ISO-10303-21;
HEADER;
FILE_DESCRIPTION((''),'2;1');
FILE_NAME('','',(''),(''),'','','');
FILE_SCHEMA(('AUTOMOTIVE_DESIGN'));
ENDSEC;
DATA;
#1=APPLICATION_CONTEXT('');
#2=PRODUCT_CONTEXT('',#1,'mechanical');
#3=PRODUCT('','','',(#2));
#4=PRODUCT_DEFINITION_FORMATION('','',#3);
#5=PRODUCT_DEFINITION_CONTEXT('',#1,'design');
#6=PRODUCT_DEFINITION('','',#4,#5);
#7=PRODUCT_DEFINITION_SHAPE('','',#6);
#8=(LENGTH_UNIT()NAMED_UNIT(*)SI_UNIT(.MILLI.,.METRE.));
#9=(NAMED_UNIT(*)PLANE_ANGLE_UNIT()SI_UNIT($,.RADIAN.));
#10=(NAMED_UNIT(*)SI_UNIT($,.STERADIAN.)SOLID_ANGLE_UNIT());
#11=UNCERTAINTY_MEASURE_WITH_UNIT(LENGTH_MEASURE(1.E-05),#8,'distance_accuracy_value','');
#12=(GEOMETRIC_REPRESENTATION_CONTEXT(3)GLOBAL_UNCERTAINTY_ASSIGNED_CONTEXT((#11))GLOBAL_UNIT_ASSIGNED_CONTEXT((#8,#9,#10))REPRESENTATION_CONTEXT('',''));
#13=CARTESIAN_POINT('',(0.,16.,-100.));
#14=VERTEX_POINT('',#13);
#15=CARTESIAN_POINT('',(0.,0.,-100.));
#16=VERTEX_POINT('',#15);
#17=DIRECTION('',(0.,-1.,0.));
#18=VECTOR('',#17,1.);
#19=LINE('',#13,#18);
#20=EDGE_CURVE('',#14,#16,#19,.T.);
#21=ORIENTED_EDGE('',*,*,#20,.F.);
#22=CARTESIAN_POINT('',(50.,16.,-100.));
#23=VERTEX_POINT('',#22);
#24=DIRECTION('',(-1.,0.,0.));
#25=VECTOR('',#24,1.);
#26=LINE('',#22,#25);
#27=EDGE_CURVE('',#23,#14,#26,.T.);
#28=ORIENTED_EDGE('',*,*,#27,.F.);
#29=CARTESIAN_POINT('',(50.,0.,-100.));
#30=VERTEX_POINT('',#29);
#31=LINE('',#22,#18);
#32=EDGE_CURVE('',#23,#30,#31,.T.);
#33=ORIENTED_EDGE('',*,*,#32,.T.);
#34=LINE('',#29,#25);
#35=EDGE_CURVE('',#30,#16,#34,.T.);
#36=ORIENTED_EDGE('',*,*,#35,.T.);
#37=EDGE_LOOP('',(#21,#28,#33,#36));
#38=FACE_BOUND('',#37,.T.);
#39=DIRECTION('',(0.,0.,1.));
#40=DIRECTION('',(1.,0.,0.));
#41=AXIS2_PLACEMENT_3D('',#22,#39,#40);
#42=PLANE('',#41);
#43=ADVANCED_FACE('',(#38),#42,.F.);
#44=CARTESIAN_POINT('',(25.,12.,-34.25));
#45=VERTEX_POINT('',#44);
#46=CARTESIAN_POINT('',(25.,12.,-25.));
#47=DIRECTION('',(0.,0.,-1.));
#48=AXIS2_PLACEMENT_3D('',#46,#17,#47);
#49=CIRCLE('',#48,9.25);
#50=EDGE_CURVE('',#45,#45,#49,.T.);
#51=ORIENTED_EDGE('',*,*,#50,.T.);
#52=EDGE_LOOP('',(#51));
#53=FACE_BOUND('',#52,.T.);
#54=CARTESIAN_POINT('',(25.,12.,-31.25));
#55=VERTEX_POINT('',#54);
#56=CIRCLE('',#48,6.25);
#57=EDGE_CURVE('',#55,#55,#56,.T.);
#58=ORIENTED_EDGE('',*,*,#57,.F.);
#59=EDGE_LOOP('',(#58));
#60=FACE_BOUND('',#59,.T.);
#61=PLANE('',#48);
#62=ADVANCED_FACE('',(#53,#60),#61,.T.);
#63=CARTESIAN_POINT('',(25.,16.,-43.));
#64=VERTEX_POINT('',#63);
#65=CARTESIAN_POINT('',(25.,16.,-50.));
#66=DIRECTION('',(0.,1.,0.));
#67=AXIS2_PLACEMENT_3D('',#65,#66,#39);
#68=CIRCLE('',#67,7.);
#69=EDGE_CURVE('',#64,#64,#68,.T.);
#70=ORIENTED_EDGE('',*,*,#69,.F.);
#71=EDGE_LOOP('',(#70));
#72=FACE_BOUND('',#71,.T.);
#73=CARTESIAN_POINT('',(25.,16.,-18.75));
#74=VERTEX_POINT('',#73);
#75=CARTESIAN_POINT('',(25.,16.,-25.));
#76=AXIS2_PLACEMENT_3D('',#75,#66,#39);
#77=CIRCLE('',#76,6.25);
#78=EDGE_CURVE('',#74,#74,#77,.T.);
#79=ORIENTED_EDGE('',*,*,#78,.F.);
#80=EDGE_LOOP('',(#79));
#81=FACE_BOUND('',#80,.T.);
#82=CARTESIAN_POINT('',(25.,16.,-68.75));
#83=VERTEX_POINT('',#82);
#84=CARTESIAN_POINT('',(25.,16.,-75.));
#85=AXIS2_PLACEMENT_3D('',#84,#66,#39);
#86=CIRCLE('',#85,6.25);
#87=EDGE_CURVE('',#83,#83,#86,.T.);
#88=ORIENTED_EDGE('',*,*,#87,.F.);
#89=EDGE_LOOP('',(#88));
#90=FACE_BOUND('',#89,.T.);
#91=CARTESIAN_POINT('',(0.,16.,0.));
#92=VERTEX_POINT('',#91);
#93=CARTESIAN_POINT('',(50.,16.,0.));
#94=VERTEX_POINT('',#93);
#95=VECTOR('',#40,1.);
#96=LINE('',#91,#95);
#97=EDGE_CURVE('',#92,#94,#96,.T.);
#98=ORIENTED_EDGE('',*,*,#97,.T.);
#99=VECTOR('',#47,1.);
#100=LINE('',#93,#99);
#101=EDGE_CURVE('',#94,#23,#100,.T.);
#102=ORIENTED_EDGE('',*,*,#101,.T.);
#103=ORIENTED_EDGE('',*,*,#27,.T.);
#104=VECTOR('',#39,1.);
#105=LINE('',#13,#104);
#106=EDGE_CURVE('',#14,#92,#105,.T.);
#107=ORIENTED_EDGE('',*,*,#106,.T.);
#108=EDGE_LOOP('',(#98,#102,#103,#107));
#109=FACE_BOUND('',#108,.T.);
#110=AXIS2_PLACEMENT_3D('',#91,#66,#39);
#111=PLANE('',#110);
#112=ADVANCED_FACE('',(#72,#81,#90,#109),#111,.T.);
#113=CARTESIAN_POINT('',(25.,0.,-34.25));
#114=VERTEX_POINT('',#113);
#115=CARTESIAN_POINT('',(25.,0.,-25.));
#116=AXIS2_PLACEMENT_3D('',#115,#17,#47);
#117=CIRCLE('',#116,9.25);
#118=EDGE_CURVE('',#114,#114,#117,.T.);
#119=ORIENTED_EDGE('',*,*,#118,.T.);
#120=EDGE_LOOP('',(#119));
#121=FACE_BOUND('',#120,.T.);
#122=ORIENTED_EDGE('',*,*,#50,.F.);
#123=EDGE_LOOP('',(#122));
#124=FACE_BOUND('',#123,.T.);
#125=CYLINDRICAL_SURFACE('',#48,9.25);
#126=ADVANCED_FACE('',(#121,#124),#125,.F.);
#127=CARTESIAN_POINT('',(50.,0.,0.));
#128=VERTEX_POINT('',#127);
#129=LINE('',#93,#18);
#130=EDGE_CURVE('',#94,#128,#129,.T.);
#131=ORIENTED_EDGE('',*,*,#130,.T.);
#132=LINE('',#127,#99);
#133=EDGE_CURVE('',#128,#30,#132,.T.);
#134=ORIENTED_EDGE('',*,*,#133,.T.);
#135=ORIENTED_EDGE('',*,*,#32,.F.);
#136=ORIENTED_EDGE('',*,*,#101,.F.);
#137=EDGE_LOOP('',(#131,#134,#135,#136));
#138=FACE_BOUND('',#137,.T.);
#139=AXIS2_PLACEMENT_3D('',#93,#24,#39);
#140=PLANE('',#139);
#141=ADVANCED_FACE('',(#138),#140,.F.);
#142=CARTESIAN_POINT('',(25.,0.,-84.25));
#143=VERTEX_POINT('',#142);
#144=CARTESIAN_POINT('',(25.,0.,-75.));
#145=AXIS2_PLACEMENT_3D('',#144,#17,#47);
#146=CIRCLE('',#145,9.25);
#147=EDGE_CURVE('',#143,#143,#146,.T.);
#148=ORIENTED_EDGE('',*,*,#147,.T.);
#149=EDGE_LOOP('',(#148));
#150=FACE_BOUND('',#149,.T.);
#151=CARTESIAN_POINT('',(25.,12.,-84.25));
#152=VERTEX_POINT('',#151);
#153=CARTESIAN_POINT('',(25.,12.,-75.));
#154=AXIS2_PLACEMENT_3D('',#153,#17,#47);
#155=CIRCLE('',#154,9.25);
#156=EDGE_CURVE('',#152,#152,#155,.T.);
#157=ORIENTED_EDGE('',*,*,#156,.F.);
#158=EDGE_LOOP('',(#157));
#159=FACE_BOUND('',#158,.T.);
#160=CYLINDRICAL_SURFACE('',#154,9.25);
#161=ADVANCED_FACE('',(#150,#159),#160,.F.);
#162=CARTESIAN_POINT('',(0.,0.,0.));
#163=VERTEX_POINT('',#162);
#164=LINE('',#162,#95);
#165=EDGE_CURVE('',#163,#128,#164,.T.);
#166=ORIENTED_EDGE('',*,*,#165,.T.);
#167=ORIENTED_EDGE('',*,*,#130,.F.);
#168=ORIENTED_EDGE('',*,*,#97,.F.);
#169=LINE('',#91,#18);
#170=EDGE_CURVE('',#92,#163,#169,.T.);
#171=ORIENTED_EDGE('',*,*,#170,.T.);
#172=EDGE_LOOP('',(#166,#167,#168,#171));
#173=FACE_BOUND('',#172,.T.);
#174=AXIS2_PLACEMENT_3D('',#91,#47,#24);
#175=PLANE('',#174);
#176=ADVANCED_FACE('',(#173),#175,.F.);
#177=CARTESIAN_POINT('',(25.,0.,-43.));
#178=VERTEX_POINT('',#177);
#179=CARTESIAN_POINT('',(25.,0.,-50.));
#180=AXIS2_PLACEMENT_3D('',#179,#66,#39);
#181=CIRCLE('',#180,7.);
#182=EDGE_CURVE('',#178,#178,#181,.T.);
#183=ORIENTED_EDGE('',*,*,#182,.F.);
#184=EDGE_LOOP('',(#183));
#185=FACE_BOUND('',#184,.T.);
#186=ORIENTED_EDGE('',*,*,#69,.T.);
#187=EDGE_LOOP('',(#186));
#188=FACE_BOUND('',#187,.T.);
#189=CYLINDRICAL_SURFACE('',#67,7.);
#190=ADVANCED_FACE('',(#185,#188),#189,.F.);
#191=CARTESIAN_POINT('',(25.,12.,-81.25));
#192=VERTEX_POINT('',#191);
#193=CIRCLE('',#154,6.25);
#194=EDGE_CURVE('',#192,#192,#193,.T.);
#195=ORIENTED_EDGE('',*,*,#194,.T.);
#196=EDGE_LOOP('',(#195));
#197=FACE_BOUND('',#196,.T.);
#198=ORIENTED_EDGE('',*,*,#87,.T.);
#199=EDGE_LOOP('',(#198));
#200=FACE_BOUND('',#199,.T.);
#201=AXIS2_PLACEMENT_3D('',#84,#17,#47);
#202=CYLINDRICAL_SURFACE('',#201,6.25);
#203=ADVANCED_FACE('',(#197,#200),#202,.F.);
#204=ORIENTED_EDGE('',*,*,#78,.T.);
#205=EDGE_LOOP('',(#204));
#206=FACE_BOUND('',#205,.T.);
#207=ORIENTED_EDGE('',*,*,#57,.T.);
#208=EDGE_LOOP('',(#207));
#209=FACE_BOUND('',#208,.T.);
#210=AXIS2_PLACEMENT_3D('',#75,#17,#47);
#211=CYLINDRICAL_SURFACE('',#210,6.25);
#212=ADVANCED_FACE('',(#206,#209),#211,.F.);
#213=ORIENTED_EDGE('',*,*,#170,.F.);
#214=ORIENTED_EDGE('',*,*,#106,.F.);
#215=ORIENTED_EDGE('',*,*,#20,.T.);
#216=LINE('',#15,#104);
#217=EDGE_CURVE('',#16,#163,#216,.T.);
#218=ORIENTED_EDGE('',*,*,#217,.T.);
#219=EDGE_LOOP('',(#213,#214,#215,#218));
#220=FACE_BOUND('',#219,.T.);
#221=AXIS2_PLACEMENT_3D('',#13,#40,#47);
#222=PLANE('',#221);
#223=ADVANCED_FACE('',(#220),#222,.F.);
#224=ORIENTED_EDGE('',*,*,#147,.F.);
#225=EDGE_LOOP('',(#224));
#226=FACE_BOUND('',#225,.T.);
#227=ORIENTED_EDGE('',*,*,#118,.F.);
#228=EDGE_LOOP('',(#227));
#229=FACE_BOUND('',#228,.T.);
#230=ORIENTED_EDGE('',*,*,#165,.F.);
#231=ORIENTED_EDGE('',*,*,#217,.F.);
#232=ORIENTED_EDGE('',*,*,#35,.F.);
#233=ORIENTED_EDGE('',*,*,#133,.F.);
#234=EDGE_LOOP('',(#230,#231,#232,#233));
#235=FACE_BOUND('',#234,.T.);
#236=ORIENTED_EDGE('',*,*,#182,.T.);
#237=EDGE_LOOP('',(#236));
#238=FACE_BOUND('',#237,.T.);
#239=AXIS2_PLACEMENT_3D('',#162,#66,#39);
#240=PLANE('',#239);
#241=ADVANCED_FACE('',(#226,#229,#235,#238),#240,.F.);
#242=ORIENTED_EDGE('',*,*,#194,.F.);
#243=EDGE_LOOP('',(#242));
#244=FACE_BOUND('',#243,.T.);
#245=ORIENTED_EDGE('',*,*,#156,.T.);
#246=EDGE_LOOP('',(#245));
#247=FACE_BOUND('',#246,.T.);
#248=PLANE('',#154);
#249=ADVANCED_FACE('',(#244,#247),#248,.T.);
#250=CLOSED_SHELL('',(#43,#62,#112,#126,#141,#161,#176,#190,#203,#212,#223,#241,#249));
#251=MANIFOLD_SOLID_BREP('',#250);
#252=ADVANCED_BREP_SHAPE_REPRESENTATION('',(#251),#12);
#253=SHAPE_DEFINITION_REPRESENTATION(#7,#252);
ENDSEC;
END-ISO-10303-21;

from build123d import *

# Parameters (mm, degrees)
SKETCH_1_W              = 50
SKETCH_1_H              = 100
SKETCH_1_R              = 6.25
EXTRUDE_1_DEPTH         = 16
HOLE_WIZARD_M16_1_D     = 14
HOLE_WIZARD_M16_1_DEPTH = 38
HOLE_WIZARD_M16_1_TIP   = 4.206024333
SKETCH_5_R              = 9.25
CUT_EXTRUDE_1_DEPTH     = 12


with BuildPart() as part:
    # 草图1 → 凸台-拉伸1 (new body)
    with BuildSketch(Plane(origin=(0, 0, 0), x_dir=(1, 0, 0), z_dir=(0, 1, 0))):
        with Locations((25, 50)):
            Rectangle(SKETCH_1_W, SKETCH_1_H)
        with Locations(Location((25, 75, 0), (0, 0, 270))):
            Circle(SKETCH_1_R, mode=Mode.SUBTRACT)
        with Locations(Location((25, 25, 0), (0, 0, 270))):
            Circle(SKETCH_1_R, mode=Mode.SUBTRACT)
    extrude(amount=EXTRUDE_1_DEPTH)

    # M16 螺纹孔1
    with Locations(Plane(origin=(25, 16, -50), x_dir=(0, 0, 1), z_dir=(0, 1, 0))):
        with Locations((0, 0)):
            Hole(HOLE_WIZARD_M16_1_D / 2, depth=HOLE_WIZARD_M16_1_DEPTH)
            with Locations((0, 0, -(HOLE_WIZARD_M16_1_DEPTH + HOLE_WIZARD_M16_1_TIP / 2))):  # 118° drill point
                Cone(0, HOLE_WIZARD_M16_1_D / 2, HOLE_WIZARD_M16_1_TIP, mode=Mode.SUBTRACT)

    # 草图5 → 切除-拉伸1 (cut)
    with BuildSketch(Plane.XZ):
        with Locations(Location((25, -25, 0), (0, 0, 270))):
            Circle(SKETCH_5_R)
        with Locations(Location((25, -75, 0), (0, 0, 270))):
            Circle(SKETCH_5_R)
    extrude(amount=-CUT_EXTRUDE_1_DEPTH, mode=Mode.SUBTRACT)


solid = part.part
